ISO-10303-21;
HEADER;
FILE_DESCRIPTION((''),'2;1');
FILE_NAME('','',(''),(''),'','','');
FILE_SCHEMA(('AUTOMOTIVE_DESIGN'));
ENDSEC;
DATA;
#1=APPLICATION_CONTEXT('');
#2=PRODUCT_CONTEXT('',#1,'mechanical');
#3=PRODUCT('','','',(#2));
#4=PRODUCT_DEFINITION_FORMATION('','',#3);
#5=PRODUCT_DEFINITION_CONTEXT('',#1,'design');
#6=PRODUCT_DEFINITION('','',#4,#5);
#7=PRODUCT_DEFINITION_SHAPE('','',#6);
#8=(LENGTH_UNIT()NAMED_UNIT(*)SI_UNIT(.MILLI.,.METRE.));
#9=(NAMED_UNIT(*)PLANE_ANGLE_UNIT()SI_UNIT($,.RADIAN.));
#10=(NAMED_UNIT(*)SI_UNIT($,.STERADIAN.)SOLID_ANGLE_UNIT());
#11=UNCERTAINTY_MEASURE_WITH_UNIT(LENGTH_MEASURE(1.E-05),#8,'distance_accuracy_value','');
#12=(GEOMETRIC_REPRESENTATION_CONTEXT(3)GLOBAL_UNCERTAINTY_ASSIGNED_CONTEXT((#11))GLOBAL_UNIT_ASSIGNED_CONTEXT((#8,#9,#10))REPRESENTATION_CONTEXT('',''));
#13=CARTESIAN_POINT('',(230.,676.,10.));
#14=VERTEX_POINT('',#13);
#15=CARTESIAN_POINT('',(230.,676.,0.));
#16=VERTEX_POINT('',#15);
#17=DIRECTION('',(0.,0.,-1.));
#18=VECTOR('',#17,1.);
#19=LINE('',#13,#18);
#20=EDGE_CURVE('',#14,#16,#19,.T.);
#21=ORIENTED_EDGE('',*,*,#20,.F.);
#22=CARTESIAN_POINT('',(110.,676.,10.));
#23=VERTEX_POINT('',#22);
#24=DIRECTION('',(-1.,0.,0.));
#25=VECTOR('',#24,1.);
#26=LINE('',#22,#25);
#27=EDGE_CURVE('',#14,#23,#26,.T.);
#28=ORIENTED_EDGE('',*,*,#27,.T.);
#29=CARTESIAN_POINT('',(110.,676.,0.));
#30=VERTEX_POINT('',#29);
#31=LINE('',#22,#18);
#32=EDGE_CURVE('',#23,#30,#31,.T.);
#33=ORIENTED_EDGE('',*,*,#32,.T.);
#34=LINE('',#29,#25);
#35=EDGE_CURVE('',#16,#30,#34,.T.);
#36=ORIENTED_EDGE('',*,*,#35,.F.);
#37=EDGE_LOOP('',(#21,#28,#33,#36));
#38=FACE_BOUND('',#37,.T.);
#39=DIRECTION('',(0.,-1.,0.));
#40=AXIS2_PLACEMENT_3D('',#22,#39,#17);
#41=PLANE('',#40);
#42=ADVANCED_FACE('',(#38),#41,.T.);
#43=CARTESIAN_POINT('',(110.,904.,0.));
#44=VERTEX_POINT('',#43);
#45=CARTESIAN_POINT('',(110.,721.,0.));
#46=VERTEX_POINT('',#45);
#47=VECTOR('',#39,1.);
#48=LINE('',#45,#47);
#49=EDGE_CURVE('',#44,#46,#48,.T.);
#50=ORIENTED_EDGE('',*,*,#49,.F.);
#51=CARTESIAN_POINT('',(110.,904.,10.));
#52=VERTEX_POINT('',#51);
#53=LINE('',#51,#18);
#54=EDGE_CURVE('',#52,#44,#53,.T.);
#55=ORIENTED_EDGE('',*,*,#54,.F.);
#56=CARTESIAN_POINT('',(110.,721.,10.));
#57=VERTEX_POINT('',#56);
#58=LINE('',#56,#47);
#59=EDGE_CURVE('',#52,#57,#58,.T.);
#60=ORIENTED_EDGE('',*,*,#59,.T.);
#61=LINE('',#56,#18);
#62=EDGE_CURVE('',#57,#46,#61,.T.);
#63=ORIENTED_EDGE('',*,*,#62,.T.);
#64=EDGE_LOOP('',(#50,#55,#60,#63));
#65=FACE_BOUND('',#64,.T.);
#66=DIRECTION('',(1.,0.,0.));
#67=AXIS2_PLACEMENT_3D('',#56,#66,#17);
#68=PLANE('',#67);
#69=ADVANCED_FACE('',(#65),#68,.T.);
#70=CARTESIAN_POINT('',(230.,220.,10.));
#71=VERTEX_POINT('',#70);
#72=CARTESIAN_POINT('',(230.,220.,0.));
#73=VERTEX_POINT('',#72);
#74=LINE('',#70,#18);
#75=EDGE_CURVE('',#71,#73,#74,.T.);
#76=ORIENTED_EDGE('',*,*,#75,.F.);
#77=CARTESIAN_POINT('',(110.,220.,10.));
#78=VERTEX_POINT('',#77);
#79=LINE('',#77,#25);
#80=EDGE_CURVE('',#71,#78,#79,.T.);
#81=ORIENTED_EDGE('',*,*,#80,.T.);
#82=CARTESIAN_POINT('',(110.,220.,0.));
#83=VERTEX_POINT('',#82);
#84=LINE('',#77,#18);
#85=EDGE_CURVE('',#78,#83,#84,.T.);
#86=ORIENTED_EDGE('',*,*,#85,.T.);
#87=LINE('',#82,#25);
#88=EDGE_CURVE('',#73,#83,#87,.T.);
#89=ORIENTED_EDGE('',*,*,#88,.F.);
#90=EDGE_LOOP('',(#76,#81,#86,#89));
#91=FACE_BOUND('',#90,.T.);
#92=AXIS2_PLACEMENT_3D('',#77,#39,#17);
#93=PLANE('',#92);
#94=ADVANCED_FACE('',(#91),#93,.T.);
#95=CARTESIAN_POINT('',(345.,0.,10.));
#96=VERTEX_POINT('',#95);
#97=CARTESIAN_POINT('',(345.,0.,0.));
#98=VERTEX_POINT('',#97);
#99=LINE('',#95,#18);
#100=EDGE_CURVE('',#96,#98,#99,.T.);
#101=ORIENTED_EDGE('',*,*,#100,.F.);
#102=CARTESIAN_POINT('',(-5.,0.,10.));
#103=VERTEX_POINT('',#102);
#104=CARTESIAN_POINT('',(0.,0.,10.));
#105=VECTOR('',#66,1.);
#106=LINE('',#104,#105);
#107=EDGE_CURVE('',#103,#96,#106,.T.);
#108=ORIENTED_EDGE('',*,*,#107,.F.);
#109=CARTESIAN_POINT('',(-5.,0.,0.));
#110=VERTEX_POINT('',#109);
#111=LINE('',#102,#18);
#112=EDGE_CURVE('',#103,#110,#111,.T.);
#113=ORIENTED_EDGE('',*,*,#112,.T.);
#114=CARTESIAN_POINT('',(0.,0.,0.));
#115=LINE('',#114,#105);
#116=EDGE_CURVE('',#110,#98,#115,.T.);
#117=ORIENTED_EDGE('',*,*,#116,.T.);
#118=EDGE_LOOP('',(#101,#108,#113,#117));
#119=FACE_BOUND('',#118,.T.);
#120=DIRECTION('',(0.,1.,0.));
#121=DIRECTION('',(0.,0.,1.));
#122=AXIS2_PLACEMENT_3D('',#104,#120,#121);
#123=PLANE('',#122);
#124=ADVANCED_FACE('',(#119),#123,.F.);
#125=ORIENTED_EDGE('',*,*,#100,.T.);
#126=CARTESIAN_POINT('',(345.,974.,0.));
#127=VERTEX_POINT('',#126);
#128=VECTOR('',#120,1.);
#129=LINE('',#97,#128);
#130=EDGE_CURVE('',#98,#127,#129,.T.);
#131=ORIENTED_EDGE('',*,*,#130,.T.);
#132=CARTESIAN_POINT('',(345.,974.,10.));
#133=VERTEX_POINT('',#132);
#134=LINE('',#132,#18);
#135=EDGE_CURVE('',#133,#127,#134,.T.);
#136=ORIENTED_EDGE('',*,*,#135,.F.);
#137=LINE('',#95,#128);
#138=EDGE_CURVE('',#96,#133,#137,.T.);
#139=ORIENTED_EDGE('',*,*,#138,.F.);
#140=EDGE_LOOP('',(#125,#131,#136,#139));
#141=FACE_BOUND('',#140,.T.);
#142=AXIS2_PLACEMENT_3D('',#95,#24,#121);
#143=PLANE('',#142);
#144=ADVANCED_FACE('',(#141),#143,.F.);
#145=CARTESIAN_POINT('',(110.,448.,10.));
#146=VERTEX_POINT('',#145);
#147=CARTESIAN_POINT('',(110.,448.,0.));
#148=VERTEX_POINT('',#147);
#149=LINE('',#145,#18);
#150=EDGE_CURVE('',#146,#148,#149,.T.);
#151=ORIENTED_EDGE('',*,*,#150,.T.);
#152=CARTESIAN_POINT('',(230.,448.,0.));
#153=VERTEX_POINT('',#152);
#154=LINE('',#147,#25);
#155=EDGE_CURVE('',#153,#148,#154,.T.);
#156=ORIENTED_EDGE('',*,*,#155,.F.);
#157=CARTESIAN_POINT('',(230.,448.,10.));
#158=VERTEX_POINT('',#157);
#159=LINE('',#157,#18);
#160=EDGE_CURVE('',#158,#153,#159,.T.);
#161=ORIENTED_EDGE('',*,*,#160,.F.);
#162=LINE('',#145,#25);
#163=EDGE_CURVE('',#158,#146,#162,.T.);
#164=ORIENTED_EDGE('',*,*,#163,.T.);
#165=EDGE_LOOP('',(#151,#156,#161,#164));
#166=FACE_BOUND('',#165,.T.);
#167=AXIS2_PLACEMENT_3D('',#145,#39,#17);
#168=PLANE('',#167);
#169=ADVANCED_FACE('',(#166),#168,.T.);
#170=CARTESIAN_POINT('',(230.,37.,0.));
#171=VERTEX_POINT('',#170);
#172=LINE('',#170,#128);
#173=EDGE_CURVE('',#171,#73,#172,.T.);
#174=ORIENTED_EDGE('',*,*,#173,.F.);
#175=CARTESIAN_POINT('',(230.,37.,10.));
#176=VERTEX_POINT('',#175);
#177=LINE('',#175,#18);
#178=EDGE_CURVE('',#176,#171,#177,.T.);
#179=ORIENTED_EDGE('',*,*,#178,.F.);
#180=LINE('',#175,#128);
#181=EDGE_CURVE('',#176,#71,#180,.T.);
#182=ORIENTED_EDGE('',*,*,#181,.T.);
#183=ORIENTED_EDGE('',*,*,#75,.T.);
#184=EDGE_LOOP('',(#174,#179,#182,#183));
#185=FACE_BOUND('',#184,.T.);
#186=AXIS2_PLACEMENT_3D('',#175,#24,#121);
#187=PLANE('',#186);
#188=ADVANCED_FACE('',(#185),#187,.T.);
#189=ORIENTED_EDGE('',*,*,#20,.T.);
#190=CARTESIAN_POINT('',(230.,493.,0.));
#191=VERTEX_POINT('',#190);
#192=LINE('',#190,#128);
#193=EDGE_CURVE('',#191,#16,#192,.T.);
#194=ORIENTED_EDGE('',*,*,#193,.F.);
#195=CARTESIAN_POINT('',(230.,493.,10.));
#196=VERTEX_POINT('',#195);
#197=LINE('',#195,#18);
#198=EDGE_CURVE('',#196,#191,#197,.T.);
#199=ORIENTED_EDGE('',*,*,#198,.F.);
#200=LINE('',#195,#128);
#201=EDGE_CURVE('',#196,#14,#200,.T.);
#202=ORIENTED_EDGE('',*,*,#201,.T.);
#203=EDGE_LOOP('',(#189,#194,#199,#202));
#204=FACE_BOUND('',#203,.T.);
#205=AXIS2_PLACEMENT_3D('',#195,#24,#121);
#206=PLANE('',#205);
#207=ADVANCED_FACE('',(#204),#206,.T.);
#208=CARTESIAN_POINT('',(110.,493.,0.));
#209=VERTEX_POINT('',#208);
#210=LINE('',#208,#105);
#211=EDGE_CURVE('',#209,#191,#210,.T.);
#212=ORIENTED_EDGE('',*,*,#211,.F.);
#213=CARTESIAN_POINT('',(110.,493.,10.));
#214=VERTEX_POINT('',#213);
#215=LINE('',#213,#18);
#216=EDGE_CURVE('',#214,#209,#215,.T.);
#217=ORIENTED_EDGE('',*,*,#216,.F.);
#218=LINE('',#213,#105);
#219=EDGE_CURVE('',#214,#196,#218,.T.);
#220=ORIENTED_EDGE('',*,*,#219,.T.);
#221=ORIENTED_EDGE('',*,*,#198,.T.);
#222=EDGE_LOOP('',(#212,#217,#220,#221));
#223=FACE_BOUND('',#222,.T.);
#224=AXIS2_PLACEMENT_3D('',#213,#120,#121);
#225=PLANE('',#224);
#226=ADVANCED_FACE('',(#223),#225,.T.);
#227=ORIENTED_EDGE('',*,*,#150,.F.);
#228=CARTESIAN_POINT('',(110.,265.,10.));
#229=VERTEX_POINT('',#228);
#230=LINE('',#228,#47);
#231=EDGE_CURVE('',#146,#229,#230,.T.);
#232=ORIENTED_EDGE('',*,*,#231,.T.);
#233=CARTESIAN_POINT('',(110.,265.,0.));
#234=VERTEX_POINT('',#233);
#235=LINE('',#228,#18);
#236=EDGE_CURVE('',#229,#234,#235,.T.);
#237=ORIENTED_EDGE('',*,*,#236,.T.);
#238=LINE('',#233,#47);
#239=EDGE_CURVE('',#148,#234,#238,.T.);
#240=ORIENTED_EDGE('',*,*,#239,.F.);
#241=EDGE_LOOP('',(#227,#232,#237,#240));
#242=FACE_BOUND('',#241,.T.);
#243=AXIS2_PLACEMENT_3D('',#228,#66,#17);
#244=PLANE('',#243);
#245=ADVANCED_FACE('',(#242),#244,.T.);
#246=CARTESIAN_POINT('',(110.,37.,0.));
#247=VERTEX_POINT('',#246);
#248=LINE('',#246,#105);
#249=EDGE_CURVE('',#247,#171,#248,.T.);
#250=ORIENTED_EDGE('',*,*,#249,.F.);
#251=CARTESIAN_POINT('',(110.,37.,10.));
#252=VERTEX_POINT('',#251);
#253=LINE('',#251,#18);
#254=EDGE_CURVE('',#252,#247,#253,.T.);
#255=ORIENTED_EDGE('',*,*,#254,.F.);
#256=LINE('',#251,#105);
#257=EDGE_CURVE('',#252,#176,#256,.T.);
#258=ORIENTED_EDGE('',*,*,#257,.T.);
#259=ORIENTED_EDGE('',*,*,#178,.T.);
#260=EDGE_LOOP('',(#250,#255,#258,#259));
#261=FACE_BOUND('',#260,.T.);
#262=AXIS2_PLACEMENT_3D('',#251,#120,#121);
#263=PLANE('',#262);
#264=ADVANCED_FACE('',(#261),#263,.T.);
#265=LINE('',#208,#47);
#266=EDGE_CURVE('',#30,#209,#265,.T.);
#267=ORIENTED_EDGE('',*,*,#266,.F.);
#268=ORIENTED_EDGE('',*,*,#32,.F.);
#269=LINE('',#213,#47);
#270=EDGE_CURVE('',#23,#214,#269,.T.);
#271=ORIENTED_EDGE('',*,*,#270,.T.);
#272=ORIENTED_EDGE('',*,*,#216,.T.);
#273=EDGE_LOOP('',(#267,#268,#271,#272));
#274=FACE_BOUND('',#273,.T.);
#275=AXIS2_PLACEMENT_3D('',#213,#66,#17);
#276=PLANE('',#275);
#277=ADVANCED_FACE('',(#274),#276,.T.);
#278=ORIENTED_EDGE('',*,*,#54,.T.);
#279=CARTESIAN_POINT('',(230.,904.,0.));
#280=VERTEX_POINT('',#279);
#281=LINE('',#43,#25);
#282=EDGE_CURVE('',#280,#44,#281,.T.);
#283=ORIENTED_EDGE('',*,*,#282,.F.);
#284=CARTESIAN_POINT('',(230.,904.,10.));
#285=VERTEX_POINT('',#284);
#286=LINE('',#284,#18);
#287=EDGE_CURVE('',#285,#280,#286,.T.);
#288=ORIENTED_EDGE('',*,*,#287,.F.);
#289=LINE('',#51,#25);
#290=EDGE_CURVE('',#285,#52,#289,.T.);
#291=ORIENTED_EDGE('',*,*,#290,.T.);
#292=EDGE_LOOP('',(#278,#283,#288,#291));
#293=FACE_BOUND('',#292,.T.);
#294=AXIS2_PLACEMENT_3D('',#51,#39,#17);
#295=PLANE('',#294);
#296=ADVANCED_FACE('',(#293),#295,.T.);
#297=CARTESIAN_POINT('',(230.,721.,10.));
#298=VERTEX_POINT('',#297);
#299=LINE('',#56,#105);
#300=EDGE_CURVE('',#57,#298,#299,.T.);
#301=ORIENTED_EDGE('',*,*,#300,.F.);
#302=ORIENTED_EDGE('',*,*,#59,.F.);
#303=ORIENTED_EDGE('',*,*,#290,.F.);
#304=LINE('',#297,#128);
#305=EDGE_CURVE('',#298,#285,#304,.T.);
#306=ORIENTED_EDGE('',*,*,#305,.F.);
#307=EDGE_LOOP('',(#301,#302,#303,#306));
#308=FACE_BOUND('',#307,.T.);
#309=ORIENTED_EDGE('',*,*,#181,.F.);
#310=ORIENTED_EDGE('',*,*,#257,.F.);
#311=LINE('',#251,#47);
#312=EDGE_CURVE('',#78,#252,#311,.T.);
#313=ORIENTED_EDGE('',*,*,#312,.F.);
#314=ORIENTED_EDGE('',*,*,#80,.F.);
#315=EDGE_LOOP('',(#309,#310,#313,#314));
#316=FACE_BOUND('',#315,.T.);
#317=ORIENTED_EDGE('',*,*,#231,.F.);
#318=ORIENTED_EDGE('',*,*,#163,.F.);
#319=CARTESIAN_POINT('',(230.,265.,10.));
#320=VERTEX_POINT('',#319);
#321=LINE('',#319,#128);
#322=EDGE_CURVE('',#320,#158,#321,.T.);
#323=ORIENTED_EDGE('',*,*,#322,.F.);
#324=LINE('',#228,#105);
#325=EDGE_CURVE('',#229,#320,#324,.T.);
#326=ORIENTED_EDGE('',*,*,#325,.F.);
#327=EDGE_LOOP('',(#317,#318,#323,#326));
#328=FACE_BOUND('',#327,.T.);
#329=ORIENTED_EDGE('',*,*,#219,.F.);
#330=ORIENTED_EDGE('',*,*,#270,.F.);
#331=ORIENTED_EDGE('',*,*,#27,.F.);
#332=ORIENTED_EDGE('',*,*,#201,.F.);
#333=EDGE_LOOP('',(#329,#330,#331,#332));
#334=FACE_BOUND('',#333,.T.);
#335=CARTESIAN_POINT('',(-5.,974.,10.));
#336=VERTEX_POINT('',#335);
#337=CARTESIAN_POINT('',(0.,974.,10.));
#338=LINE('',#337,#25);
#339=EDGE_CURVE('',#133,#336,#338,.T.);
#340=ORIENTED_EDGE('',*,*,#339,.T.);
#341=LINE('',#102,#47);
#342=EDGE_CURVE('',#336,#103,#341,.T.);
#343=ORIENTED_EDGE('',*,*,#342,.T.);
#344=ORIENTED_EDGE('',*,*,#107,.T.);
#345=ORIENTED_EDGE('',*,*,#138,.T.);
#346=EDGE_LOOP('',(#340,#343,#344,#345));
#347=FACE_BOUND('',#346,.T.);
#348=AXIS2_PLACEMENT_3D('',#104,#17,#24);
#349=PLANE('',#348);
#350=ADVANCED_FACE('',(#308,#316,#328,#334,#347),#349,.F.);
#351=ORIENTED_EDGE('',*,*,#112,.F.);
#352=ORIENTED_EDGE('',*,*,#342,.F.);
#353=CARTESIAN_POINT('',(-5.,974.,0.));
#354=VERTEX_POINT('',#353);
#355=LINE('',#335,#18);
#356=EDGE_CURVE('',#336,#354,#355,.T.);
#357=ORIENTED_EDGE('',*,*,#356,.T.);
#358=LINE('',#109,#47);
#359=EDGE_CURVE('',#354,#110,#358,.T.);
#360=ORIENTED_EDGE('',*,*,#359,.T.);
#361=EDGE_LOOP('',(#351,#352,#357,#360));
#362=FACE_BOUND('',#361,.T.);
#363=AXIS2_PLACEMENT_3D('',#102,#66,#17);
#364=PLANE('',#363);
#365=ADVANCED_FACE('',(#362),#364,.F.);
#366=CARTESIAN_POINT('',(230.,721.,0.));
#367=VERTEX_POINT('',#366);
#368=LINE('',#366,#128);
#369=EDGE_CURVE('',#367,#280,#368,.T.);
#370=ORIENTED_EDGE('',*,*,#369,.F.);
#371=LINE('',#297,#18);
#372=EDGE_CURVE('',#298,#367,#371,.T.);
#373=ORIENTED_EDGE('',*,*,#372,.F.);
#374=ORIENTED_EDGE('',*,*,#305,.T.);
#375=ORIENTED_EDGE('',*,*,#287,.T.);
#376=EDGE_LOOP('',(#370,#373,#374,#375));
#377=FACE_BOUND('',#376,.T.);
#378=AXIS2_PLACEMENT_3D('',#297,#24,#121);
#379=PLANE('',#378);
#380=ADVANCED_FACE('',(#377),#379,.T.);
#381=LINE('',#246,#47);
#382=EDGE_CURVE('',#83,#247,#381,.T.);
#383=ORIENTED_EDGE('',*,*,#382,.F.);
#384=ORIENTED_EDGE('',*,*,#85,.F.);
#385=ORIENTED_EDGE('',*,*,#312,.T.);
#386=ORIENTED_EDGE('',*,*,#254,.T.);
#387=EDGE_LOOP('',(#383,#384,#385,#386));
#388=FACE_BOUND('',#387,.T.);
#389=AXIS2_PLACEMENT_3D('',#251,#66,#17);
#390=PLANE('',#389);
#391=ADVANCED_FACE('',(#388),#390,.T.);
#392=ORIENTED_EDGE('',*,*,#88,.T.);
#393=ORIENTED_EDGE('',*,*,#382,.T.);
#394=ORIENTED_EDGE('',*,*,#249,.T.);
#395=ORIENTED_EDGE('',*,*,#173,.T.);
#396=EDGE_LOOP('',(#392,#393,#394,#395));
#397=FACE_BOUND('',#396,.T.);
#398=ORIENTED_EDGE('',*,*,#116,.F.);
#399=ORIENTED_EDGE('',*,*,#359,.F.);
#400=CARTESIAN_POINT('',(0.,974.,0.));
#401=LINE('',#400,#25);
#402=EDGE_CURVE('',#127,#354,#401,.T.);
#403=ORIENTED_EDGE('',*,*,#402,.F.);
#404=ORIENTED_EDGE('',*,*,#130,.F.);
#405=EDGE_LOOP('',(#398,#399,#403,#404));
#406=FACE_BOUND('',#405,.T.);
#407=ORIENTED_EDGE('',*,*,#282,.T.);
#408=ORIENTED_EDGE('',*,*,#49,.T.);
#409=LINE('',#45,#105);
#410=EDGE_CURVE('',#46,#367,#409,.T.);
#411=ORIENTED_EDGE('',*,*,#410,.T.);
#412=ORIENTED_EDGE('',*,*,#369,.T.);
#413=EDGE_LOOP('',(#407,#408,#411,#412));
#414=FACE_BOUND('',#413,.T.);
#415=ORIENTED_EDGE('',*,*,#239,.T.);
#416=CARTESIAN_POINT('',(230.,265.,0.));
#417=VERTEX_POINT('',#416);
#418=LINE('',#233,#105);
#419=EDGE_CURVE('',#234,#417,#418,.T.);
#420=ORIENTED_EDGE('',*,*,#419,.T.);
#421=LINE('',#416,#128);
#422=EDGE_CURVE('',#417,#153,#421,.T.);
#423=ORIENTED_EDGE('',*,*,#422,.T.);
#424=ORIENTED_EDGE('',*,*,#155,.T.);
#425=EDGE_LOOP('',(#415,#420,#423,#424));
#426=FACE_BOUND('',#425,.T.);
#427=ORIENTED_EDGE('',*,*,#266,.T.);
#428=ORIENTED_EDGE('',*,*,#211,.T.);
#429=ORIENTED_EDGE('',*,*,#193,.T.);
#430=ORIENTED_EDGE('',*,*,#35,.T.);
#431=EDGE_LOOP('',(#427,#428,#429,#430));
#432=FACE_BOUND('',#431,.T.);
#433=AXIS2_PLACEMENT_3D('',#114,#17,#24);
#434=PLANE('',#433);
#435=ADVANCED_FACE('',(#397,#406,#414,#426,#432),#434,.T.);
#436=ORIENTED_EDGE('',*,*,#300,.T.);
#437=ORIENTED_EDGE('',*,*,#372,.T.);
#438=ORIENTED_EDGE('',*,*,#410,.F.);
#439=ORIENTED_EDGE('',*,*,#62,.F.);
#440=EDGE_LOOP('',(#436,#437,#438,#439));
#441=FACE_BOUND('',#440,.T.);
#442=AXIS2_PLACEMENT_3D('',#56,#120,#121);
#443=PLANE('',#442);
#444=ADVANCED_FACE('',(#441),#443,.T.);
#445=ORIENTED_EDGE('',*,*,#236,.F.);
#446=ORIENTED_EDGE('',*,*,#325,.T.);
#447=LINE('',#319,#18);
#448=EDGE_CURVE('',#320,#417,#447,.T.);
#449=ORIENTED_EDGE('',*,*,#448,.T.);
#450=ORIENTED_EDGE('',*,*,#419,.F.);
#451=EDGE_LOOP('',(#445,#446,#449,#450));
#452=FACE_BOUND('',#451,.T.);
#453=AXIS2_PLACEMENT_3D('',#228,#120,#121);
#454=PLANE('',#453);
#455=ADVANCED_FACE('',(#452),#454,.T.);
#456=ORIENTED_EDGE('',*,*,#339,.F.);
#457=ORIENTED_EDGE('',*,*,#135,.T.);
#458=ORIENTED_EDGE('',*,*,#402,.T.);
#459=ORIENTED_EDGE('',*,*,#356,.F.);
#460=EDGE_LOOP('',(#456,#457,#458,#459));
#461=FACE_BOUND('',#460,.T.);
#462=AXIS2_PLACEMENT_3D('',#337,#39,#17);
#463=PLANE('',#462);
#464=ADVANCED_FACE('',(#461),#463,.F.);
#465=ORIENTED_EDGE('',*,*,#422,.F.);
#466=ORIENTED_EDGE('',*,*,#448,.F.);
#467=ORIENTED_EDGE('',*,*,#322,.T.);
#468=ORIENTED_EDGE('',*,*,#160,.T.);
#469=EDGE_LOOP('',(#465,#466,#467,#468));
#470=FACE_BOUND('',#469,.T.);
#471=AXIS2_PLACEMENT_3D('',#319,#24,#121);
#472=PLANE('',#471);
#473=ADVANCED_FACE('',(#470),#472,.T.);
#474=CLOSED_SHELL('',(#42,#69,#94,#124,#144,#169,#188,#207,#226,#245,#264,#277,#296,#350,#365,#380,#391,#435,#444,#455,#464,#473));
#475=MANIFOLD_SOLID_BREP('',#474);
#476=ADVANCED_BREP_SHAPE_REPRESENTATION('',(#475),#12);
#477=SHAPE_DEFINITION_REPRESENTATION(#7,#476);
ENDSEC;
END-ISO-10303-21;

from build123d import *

# Parameters (mm, degrees)
SKETCH1_W           = 240
SKETCH1_H           = 974
SKETCH1_W_2         = 120
SKETCH1_H_2         = 183
BOSS_EXTRUDE1_DEPTH = 10
MOVE_FACE1_BY       = 5
MOVE_FACE2_BY       = 105


with BuildPart() as part:
    # Sketch1 → Boss-Extrude1 (new body)
    with BuildSketch(Plane.XY):
        with Locations((120, 487)):
            Rectangle(SKETCH1_W, SKETCH1_H)
        with Locations((170, 128.5)):
            Rectangle(SKETCH1_W_2, SKETCH1_H_2, mode=Mode.SUBTRACT)
        with Locations((170, 356.5)):
            Rectangle(SKETCH1_W_2, SKETCH1_H_2, mode=Mode.SUBTRACT)
        with Locations((170, 584.5)):
            Rectangle(SKETCH1_W_2, SKETCH1_H_2, mode=Mode.SUBTRACT)
        with Locations((170, 812.5)):
            Rectangle(SKETCH1_W_2, SKETCH1_H_2, mode=Mode.SUBTRACT)
    extrude(amount=BOSS_EXTRUDE1_DEPTH)

    # Move Face1: a face moved outward by 5.0
    extrude(part.faces().sort_by_distance((0, 487, 5))[0], amount=MOVE_FACE1_BY, dir=(-1, 0, 0))

    # Move Face2: a face moved outward by 105.0
    extrude(part.faces().sort_by_distance((240, 487, 5))[0], amount=MOVE_FACE2_BY, dir=(1, 0, 0))


solid = part.part
